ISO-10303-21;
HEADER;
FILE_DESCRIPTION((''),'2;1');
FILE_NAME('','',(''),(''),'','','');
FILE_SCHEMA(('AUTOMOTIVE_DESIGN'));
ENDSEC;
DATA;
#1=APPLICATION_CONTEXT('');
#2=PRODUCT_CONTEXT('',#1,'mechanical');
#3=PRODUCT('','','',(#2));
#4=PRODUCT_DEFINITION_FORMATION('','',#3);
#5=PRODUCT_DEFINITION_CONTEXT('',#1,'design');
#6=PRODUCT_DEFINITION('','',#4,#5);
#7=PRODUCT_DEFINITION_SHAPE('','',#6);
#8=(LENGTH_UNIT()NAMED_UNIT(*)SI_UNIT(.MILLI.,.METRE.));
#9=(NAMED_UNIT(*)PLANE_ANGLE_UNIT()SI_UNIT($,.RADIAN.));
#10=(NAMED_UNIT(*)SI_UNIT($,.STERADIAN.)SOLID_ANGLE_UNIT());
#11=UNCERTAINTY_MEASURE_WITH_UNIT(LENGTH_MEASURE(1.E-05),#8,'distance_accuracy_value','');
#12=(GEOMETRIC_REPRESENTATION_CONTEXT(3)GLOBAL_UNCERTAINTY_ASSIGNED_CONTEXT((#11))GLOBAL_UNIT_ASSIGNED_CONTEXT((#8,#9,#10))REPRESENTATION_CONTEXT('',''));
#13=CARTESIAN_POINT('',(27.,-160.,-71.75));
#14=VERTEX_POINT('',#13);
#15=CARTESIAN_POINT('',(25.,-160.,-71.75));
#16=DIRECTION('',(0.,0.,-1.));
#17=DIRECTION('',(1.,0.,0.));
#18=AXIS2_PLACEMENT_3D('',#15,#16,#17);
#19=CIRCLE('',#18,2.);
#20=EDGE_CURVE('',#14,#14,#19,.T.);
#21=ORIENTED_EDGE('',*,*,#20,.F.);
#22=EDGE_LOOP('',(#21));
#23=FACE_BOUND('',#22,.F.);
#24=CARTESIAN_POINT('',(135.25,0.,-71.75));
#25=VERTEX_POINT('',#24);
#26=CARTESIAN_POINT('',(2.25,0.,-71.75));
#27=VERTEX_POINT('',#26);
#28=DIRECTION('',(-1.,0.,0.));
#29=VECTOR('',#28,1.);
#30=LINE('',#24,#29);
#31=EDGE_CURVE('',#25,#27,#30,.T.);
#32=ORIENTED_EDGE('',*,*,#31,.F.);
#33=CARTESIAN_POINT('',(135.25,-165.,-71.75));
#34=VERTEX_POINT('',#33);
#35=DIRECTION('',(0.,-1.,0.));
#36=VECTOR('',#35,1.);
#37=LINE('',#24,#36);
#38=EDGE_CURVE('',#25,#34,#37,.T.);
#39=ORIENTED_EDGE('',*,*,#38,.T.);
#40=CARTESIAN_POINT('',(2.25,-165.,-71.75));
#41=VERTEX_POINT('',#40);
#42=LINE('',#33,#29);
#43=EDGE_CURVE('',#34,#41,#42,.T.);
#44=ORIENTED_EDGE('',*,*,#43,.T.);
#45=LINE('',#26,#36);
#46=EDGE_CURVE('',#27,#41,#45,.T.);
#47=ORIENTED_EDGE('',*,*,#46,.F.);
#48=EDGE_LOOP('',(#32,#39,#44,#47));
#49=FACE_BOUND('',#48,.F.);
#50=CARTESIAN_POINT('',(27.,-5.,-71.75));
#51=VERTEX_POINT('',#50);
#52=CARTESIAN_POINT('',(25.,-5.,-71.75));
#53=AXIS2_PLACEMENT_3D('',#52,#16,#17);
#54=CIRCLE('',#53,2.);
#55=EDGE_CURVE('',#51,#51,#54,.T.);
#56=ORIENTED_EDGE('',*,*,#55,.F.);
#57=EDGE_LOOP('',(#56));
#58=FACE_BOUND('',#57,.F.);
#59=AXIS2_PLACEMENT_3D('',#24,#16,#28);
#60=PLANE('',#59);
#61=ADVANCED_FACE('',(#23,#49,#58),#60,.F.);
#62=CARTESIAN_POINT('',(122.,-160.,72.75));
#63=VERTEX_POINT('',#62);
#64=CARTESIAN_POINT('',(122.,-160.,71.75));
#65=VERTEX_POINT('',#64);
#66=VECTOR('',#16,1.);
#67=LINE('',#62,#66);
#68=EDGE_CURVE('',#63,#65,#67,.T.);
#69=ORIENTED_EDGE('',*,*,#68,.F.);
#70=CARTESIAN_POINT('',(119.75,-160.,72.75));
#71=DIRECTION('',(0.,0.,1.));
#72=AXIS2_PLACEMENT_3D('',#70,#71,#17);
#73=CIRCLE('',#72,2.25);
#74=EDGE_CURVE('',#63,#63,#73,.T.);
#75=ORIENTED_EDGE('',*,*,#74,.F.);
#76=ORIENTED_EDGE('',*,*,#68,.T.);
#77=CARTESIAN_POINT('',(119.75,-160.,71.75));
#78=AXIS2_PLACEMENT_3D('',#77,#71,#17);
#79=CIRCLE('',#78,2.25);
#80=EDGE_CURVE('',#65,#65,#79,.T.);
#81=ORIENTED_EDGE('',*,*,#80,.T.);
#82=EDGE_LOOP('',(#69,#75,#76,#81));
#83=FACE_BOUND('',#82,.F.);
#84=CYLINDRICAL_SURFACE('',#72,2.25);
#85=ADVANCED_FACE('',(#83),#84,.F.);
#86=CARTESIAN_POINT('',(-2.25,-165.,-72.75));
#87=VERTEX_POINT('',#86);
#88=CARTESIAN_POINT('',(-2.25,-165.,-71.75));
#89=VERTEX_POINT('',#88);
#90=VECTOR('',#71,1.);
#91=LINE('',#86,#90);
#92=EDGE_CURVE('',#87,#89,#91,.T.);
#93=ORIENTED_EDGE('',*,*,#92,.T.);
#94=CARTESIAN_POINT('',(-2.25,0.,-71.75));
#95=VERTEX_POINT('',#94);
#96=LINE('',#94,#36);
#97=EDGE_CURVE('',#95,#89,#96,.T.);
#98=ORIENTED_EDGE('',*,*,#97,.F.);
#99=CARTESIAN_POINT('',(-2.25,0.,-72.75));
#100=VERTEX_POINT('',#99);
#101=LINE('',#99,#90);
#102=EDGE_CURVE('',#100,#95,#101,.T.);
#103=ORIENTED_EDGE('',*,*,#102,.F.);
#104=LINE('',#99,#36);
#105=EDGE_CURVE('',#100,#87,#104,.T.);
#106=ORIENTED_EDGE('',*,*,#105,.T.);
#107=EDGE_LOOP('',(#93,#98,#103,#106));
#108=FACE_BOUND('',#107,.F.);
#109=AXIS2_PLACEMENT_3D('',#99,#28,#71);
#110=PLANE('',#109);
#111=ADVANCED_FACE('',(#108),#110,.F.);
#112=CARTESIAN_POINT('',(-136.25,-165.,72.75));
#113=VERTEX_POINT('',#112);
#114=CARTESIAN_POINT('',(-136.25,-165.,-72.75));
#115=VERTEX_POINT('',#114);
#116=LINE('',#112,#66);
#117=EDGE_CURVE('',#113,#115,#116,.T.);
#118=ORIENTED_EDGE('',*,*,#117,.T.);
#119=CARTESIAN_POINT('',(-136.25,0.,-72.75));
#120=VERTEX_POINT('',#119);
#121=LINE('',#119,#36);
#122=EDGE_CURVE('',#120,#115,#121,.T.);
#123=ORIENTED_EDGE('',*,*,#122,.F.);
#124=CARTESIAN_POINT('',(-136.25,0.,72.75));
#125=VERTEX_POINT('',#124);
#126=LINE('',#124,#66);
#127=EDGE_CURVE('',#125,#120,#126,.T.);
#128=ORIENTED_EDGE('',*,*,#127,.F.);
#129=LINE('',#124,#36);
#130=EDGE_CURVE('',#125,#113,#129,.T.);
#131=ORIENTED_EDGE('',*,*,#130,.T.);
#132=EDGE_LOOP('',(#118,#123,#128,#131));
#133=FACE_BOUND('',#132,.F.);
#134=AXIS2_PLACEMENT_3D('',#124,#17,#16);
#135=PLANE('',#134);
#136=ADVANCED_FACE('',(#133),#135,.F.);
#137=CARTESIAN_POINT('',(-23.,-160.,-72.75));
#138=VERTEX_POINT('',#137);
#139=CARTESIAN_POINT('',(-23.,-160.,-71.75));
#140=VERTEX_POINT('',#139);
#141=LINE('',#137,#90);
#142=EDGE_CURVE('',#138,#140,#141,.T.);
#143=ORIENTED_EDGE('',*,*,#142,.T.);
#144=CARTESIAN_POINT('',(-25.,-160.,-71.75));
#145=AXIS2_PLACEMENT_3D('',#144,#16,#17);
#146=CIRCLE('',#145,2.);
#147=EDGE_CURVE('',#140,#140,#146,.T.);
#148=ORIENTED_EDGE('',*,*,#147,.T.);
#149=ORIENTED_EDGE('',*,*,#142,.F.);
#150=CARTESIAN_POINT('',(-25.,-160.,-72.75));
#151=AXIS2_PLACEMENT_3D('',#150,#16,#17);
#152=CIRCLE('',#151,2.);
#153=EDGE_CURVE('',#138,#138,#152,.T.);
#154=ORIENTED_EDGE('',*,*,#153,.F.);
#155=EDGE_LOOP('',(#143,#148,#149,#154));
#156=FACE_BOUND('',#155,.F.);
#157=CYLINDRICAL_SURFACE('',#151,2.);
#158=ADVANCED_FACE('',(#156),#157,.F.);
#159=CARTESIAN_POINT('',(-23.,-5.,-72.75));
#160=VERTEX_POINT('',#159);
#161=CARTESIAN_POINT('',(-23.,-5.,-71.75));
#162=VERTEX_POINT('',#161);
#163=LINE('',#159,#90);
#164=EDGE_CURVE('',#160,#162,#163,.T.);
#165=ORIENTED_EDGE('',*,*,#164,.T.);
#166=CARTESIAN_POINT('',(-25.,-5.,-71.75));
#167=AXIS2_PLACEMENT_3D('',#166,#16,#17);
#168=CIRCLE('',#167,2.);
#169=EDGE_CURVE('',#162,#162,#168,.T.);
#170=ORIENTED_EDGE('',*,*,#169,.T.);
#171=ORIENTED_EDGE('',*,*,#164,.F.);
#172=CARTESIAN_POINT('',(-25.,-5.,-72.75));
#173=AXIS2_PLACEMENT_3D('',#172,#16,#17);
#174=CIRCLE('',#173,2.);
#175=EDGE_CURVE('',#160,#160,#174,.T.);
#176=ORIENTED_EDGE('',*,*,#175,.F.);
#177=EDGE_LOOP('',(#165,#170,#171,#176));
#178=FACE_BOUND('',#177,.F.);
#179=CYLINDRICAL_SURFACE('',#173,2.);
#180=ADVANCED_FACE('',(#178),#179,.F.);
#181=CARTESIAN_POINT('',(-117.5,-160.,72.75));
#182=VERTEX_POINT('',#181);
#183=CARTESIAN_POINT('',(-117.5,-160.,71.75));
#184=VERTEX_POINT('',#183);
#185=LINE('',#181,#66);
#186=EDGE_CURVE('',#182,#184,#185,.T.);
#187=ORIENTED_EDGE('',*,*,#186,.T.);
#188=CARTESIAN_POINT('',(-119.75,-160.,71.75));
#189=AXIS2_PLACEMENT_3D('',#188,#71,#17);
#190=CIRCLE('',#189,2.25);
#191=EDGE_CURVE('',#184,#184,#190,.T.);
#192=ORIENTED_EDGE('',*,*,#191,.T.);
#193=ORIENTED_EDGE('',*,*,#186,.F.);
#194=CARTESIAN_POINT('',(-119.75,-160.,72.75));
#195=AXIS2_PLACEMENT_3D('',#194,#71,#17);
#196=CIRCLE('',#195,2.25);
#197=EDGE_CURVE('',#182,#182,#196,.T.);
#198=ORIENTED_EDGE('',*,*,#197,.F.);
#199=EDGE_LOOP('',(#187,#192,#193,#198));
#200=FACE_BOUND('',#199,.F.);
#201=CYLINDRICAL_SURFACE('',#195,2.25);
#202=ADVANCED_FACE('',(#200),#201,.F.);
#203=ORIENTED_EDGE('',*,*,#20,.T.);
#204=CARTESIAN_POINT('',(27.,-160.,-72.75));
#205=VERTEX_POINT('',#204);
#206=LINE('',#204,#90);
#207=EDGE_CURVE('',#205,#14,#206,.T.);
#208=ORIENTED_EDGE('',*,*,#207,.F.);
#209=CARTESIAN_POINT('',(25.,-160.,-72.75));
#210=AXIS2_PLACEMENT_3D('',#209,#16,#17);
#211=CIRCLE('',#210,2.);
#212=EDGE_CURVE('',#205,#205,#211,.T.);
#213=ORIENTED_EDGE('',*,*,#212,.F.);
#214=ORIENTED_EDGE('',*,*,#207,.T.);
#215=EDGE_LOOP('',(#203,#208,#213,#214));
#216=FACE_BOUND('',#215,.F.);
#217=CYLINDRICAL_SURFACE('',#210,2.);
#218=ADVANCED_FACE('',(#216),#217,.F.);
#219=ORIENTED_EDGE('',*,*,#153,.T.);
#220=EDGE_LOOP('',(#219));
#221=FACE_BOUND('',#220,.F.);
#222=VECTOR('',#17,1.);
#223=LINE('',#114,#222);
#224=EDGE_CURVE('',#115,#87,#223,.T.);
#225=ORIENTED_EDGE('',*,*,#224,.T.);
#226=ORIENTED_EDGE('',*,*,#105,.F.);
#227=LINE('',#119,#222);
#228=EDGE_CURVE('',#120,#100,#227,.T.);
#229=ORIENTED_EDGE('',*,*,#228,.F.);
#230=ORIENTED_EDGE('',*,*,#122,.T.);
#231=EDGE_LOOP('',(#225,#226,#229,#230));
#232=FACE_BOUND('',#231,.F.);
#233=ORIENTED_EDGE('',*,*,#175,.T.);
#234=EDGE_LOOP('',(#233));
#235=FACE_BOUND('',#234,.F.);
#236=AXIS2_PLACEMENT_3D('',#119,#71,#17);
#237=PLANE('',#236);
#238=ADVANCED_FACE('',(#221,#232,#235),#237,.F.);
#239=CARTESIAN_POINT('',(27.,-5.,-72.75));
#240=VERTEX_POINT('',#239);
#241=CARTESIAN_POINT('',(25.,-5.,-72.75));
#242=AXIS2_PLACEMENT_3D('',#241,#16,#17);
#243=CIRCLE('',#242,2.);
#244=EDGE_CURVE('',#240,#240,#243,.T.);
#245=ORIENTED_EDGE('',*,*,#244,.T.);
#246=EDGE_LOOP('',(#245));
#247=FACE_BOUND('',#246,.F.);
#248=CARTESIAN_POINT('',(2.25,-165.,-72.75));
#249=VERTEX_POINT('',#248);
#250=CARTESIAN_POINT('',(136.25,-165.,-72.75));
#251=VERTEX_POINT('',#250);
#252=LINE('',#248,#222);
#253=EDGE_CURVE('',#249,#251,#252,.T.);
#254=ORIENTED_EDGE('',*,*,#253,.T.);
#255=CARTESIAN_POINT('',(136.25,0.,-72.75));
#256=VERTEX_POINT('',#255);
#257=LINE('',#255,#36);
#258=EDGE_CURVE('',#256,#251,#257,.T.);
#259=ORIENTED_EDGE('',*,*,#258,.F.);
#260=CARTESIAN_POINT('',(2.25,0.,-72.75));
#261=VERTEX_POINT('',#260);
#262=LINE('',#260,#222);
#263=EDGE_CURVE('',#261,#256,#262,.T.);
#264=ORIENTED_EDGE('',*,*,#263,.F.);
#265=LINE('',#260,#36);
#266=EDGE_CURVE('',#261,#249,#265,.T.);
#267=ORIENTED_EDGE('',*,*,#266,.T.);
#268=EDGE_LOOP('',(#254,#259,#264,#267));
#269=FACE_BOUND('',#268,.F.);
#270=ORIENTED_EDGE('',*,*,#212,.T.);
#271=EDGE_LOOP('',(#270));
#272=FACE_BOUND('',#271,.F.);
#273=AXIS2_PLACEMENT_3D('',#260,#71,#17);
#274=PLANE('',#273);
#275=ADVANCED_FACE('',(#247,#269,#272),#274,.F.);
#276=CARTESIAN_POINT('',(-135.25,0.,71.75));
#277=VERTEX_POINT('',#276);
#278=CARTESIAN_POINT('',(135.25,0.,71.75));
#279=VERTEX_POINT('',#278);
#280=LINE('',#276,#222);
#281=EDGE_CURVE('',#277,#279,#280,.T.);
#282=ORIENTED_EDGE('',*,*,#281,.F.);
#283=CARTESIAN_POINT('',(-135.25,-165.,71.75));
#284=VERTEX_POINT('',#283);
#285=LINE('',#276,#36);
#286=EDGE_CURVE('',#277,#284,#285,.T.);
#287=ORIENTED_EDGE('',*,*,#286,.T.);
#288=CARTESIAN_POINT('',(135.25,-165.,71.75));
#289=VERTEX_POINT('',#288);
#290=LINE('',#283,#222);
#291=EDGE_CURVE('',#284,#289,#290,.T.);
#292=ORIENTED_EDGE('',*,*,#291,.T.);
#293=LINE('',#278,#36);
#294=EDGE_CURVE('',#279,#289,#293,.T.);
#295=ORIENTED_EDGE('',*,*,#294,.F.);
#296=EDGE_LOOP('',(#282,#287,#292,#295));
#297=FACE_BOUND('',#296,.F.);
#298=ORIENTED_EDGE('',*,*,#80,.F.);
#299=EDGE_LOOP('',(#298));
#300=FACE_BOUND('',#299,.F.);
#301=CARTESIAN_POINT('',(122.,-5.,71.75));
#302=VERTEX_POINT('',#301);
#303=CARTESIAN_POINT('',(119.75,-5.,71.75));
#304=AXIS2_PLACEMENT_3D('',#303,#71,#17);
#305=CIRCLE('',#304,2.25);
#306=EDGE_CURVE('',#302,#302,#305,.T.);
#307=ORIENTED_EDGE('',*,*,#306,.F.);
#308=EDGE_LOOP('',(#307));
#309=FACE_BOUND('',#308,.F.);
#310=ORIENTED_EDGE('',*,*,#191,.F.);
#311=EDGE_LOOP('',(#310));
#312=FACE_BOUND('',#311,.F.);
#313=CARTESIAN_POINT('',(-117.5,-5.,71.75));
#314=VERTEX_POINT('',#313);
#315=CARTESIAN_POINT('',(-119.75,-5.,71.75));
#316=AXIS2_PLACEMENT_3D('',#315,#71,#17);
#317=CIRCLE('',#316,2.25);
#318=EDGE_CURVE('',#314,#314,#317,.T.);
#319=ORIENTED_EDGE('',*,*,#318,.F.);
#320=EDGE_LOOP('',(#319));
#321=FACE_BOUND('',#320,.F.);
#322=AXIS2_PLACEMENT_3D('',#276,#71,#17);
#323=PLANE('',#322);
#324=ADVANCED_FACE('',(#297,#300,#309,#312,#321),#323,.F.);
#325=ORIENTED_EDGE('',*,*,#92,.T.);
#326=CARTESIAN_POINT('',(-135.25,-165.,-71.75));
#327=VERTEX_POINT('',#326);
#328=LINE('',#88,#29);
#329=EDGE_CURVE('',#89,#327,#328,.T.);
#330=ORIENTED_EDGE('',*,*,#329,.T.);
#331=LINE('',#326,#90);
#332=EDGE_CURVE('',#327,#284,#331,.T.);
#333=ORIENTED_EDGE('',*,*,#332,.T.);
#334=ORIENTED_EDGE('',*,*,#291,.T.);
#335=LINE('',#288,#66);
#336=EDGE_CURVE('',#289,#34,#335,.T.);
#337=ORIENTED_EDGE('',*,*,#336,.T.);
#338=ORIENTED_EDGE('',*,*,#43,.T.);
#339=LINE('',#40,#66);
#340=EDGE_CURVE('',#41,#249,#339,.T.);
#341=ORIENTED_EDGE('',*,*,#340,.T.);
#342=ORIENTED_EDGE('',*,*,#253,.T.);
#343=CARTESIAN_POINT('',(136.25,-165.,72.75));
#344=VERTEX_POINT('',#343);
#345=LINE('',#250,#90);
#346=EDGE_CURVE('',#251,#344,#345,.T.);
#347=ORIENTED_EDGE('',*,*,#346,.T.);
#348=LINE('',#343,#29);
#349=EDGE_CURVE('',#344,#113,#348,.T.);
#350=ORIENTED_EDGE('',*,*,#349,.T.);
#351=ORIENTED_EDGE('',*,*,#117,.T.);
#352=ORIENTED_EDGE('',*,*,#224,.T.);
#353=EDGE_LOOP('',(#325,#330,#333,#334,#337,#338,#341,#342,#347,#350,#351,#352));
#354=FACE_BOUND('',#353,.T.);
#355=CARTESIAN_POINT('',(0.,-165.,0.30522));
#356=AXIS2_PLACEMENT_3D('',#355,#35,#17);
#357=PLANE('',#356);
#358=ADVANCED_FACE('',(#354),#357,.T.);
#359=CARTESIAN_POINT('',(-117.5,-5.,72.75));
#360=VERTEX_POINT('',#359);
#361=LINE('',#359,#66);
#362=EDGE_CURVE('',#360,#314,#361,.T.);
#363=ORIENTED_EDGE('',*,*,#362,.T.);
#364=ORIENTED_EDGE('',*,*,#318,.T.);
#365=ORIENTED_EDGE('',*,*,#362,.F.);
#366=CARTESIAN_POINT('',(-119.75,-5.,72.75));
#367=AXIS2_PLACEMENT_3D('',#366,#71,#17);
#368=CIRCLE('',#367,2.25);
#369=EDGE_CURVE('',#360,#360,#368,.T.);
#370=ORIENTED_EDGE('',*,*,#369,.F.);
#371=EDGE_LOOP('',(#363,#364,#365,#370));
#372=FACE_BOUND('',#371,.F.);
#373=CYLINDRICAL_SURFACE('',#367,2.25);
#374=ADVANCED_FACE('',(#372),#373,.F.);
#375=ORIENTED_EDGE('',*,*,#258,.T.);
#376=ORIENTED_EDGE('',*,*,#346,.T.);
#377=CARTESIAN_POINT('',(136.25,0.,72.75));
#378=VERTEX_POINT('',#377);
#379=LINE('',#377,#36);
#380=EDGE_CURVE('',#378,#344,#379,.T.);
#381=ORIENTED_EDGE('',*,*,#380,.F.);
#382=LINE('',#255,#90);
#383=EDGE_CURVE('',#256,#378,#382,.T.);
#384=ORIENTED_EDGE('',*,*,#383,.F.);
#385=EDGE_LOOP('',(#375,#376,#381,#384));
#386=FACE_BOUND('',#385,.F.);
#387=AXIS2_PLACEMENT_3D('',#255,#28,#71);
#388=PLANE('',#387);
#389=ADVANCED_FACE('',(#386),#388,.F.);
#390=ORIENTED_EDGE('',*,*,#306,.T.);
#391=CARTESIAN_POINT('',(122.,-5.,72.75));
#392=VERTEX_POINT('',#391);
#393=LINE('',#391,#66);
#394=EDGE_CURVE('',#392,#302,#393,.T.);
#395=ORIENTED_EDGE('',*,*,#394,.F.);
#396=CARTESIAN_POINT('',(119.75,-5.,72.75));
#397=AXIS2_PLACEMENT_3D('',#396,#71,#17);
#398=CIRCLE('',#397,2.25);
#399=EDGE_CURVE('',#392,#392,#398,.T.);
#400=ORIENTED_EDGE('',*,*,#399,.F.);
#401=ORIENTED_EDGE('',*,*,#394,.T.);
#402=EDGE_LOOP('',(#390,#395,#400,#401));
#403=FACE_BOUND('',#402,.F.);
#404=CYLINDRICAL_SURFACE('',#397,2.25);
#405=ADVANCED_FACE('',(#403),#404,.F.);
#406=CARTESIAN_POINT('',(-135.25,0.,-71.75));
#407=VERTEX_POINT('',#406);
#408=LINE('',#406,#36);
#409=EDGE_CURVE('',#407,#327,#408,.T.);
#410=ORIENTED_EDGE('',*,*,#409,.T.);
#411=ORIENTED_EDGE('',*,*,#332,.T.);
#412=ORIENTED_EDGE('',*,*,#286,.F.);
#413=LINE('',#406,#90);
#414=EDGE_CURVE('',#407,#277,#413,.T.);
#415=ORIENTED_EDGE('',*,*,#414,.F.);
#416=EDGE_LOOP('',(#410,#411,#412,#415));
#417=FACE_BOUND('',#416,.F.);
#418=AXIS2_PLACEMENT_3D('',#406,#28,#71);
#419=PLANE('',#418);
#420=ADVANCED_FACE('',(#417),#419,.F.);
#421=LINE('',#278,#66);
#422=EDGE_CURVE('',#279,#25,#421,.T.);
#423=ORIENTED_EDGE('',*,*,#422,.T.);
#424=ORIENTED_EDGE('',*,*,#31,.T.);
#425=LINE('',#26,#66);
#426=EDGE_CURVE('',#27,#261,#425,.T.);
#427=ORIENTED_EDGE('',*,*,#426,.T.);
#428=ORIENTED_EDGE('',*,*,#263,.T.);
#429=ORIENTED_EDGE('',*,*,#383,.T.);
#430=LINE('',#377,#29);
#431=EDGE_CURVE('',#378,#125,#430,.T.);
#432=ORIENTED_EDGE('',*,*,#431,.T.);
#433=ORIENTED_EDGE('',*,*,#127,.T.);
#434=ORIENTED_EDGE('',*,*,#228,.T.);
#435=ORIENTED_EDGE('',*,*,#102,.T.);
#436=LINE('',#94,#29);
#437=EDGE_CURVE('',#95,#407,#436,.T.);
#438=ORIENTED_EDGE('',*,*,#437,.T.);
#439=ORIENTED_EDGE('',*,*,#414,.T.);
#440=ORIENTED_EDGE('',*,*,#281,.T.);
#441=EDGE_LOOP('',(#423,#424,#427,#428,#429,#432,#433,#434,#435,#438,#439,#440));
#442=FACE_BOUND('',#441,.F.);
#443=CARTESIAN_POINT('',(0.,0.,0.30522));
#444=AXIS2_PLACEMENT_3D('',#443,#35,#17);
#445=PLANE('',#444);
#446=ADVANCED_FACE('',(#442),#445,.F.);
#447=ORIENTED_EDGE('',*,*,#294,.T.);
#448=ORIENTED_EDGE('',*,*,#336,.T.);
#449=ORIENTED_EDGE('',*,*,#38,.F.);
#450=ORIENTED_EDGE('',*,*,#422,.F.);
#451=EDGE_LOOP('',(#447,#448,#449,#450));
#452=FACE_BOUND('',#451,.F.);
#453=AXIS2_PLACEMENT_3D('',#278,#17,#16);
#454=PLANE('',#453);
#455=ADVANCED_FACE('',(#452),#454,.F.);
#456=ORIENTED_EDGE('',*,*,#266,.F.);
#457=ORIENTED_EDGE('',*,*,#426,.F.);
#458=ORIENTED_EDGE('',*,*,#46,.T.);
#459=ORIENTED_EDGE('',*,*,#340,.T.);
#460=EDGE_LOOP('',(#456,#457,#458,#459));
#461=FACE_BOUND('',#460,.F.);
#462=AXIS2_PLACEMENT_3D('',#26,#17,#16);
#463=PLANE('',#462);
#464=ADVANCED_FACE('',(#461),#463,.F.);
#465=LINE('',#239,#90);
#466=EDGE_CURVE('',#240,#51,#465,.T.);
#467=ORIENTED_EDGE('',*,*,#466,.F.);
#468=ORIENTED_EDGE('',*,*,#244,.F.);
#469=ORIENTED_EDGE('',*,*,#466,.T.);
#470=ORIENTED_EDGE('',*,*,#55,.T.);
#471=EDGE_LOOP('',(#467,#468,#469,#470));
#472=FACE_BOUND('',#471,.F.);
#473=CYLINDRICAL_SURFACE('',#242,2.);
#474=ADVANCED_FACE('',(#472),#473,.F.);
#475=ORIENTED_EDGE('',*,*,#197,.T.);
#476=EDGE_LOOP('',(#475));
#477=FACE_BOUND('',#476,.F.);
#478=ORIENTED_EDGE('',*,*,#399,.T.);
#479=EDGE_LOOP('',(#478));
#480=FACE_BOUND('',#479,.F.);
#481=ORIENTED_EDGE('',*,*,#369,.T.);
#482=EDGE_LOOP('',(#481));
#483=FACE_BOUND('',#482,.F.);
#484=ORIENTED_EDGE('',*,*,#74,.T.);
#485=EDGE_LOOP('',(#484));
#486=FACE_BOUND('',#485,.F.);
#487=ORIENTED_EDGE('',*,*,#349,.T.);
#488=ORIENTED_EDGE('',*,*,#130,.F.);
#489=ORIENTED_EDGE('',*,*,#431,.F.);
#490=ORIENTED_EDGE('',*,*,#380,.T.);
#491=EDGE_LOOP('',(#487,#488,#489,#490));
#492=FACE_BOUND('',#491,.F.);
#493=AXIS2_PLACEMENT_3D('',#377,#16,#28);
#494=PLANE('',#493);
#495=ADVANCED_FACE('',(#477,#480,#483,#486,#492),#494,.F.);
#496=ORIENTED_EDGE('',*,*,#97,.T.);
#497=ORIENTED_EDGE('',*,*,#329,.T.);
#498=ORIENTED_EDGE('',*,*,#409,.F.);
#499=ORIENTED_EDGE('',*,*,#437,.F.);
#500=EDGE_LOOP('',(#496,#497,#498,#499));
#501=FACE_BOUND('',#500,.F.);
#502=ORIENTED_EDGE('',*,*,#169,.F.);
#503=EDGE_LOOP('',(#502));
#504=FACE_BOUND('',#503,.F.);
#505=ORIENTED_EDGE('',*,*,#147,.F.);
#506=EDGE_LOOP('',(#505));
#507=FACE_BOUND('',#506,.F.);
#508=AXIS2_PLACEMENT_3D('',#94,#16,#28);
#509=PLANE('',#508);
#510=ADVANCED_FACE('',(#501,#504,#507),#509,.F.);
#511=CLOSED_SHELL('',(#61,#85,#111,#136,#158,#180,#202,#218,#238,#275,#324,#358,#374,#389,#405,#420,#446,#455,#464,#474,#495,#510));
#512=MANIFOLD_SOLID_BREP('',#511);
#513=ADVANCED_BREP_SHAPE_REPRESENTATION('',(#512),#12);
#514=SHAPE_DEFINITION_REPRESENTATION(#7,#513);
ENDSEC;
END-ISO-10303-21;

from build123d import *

# Parameters (mm, degrees)
F1_DEPTH = 165
F2_R     = 2
F3_DEPTH = 1
F4_R     = 2.25
F5_DEPTH = 1


with BuildPart() as f1:
    # F0 (on Front) → F1 (new body)
    with BuildSketch(Plane.XZ):
        Polygon((136.25, 72.75), (-136.25, 72.75), (-136.25, -72.75), (-2.25, -72.75), (-2.25, -71.75), (-135.25, -71.75), (-135.25, 71.75), (135.25, 71.75), (135.25, -71.75), (2.25, -71.75), (2.25, -72.75), (136.25, -72.75), align=None)
    extrude(amount=F1_DEPTH)

    # F2 (on face) → F3 (cut, through all)
    with BuildSketch(Plane(origin=(0, 0, -72.75), x_dir=(1, 0, 0), z_dir=(0, 0, -1))):
        with Locations((25, 160)):
            Circle(F2_R)
        with Locations((-25, 160)):
            Circle(F2_R)
        with Locations((25, 5)):
            Circle(F2_R)
        with Locations((-25, 5)):
            Circle(F2_R)
    extrude(amount=-F3_DEPTH, mode=Mode.SUBTRACT)

    # F4 (on face) → F5 (cut, through all)
    with BuildSketch(Plane.XY.offset(72.75)):
        with Locations((-119.75, -5)):
            Circle(F4_R)
        with Locations((119.75, -5)):
            Circle(F4_R)
        with Locations((-119.75, -160)):
            Circle(F4_R)
        with Locations((119.75, -160)):
            Circle(F4_R)
    extrude(amount=-F5_DEPTH, mode=Mode.SUBTRACT)


solid = f1.part
